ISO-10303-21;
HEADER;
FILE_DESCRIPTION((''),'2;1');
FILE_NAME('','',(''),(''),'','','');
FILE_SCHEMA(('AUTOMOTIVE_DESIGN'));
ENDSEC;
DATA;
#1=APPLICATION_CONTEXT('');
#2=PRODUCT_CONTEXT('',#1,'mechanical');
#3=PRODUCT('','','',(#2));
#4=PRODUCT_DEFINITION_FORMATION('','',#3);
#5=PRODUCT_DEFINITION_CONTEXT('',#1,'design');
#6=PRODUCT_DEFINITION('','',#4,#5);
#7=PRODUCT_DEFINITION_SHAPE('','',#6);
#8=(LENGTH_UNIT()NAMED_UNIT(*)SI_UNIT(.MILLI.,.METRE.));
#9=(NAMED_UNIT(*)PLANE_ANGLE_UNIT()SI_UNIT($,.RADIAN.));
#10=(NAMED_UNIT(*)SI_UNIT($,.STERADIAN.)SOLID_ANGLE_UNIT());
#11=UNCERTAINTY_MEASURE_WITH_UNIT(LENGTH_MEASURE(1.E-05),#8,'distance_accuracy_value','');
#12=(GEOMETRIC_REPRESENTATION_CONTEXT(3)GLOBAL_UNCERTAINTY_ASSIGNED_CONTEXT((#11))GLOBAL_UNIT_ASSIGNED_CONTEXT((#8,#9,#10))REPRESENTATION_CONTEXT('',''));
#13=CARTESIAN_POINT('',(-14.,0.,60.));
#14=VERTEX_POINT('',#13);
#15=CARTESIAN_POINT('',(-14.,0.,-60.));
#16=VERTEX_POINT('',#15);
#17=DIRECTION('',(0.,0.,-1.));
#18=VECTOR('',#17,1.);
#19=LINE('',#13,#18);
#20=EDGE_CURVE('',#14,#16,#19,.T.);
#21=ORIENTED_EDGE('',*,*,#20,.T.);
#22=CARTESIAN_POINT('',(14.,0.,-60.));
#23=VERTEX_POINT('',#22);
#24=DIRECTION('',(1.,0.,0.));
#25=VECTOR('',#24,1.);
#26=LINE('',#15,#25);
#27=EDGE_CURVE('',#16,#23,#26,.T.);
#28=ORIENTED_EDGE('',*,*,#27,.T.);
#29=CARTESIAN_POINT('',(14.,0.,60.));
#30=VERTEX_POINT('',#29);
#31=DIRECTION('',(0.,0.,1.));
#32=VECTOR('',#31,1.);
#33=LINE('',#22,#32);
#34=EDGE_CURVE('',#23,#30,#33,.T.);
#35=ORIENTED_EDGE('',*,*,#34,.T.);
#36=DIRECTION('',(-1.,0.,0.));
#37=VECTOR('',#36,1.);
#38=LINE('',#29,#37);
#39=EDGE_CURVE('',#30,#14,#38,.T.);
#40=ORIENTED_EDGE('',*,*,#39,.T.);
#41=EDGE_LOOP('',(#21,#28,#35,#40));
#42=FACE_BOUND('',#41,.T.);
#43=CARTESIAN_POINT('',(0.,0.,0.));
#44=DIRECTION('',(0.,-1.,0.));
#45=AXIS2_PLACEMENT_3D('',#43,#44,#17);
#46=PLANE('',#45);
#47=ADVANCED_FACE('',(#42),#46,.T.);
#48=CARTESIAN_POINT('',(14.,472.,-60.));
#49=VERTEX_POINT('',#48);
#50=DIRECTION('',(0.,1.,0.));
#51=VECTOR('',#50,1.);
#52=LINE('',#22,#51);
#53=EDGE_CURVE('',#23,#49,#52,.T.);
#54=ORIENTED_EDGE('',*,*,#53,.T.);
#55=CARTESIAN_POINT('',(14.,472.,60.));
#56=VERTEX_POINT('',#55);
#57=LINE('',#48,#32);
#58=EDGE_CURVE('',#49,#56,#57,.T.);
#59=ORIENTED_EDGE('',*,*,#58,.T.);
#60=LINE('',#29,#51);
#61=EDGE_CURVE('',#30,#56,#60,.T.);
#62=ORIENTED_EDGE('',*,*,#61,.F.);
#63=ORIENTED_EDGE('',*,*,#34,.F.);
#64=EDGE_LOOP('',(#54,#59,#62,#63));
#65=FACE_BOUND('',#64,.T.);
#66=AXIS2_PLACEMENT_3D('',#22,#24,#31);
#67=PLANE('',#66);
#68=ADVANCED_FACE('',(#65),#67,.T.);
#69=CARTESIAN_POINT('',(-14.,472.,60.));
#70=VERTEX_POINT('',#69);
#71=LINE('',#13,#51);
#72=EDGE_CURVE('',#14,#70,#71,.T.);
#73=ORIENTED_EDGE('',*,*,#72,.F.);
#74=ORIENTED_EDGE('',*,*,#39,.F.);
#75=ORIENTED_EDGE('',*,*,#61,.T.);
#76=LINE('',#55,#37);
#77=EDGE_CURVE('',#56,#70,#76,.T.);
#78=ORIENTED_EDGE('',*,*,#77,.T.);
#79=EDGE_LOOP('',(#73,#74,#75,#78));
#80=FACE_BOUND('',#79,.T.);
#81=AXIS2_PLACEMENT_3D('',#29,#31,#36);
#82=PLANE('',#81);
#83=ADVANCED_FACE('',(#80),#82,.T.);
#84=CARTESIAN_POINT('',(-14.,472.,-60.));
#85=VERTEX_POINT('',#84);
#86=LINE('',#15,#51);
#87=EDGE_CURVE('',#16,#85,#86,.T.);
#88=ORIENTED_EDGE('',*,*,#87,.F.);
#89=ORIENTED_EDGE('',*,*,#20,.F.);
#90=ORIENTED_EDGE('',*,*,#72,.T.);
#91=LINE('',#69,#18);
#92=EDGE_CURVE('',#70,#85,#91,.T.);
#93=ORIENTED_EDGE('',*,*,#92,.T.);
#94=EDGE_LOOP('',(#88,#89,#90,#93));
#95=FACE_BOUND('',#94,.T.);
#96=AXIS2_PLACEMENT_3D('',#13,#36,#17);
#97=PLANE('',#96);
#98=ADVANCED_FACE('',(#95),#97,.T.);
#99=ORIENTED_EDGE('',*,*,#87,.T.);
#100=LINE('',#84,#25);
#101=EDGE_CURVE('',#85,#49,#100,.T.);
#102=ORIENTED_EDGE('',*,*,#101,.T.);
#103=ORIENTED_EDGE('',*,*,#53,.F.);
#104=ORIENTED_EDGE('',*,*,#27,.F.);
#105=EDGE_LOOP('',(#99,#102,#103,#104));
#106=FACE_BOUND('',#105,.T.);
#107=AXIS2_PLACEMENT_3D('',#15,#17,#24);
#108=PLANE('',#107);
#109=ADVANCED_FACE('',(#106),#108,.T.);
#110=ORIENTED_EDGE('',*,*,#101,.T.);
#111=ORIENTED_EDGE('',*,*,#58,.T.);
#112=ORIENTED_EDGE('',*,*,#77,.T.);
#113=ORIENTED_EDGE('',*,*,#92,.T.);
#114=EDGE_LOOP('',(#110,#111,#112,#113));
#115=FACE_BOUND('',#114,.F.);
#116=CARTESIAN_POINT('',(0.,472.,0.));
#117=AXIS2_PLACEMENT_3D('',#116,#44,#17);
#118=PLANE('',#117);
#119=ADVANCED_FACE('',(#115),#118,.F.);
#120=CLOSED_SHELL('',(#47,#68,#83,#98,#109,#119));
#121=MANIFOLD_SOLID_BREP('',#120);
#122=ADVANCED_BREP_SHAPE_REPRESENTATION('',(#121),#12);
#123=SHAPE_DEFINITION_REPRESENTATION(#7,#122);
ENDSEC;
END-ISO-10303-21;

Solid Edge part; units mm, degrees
sketch "Sketch1" plane through (0, 0, 0) normal (0, -1, 0) x (1, 0, 0)
  line L0 (-14, -60) -> (14, -60)
  line L1 (14, -60) -> (14, 60)
  line L2 (14, 60) -> (-14, 60)
  line L3 (-14, 60) -> (-14, -60)
extrude "Protrusion1" add sketch "Sketch1" against normal blind 472
properties material "Wood, Pine"
